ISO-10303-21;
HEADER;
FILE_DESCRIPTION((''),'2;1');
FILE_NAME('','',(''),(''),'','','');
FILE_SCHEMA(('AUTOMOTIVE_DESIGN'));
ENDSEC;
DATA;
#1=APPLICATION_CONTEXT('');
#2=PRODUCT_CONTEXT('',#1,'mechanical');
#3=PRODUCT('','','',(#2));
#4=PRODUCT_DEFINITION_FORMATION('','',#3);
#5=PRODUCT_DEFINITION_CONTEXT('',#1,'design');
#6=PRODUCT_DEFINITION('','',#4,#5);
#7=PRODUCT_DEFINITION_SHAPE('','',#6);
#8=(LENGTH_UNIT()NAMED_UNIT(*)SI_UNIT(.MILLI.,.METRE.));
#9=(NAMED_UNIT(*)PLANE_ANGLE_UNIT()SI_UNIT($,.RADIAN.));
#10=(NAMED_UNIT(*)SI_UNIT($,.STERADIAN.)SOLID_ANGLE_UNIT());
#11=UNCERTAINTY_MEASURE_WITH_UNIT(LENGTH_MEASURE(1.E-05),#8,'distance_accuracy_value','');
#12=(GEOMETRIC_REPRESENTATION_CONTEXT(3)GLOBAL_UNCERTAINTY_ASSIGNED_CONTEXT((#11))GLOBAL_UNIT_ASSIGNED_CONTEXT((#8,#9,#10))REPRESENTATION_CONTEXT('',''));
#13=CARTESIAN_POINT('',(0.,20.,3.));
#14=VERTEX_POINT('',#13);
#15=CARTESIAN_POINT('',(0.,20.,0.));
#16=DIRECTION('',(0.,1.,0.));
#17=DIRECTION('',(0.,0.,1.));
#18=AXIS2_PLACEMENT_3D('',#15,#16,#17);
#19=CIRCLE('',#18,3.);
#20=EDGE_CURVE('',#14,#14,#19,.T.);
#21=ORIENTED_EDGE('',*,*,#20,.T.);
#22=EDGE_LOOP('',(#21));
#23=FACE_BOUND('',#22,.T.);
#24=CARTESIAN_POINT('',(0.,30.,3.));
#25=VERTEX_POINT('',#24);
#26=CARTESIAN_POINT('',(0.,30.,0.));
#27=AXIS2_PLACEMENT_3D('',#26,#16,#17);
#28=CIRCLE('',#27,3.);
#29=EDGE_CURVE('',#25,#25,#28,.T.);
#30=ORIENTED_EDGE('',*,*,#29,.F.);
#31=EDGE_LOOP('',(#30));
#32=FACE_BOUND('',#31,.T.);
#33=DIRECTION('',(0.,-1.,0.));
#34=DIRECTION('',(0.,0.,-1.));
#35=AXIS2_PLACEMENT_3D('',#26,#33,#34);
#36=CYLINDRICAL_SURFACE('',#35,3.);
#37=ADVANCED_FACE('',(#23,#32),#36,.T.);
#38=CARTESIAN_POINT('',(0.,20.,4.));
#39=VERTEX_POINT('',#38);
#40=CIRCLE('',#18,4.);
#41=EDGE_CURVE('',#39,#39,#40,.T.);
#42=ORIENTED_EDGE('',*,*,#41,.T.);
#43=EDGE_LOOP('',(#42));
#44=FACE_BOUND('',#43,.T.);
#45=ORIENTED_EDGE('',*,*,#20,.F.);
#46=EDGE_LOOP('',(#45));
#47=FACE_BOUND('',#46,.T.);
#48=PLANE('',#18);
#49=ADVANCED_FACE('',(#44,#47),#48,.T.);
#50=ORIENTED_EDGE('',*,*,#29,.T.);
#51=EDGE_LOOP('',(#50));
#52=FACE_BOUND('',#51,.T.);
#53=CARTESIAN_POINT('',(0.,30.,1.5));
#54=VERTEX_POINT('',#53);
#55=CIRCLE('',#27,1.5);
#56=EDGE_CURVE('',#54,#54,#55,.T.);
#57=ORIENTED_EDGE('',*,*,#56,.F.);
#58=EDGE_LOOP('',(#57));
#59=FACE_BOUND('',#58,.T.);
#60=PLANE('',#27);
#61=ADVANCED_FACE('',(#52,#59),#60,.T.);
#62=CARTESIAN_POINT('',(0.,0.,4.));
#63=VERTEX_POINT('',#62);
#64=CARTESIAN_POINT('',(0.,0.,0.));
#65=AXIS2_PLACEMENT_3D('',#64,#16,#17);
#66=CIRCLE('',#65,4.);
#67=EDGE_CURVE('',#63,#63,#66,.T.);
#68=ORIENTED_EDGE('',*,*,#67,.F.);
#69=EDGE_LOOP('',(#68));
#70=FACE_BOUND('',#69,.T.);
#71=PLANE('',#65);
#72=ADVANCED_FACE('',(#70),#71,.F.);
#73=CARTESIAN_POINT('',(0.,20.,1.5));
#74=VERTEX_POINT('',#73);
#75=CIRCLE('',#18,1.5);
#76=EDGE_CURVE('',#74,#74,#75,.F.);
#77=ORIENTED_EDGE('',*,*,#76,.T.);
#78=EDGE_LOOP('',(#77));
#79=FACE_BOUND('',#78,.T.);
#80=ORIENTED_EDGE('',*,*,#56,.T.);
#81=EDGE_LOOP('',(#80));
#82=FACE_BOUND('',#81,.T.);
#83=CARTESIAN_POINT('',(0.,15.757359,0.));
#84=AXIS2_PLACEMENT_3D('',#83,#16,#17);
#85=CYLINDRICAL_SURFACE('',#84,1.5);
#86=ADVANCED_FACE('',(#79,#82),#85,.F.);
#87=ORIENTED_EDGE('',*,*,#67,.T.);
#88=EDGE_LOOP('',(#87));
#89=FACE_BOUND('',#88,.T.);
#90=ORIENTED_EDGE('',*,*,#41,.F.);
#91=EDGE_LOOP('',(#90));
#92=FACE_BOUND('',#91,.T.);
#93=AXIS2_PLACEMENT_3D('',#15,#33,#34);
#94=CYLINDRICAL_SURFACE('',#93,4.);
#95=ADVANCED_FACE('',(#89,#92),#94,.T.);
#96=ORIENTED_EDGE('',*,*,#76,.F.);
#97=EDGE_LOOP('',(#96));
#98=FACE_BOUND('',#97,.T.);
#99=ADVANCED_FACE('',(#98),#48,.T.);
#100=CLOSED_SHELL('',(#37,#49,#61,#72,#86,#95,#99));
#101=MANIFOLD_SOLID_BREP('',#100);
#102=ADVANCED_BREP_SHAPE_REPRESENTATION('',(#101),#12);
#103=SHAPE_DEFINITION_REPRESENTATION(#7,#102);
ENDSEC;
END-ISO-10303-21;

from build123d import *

# Parameters (mm, degrees)
SKETCH_1_R          = 4
EXTRUDE_1_DEPTH     = 20
SKETCH_2_R          = 3
EXTRUDE_2_DEPTH     = 10
SKETCH_3_R          = 1.5
CUT_EXTRUDE_1_DEPTH = 10


with BuildPart() as part:
    # 草图1 → 凸台-拉伸1 (new body)
    with BuildSketch(Plane(origin=(0, 0, 0), x_dir=(1, 0, 0), z_dir=(0, 1, 0))):
        with Locations(Location((0, 0, 0), (0, 0, 270))):
            Circle(SKETCH_1_R)
    extrude(amount=EXTRUDE_1_DEPTH)

    # 草图2 → 凸台-拉伸2 (add)
    with BuildSketch(Plane(origin=(0, 20, 0), x_dir=(1, 0, 0), z_dir=(0, 1, 0))):
        with Locations(Location((0, 0, 0), (0, 0, 270))):
            Circle(SKETCH_2_R)
    extrude(amount=EXTRUDE_2_DEPTH)

    # 草图3 → 切除-拉伸1 (cut)
    with BuildSketch(Plane(origin=(0, 30, 0), x_dir=(1, 0, 0), z_dir=(0, 1, 0))):
        with Locations(Location((0, 0, 0), (0, 0, 270))):
            Circle(SKETCH_3_R)
    extrude(amount=-CUT_EXTRUDE_1_DEPTH, mode=Mode.SUBTRACT)


solid = part.part
